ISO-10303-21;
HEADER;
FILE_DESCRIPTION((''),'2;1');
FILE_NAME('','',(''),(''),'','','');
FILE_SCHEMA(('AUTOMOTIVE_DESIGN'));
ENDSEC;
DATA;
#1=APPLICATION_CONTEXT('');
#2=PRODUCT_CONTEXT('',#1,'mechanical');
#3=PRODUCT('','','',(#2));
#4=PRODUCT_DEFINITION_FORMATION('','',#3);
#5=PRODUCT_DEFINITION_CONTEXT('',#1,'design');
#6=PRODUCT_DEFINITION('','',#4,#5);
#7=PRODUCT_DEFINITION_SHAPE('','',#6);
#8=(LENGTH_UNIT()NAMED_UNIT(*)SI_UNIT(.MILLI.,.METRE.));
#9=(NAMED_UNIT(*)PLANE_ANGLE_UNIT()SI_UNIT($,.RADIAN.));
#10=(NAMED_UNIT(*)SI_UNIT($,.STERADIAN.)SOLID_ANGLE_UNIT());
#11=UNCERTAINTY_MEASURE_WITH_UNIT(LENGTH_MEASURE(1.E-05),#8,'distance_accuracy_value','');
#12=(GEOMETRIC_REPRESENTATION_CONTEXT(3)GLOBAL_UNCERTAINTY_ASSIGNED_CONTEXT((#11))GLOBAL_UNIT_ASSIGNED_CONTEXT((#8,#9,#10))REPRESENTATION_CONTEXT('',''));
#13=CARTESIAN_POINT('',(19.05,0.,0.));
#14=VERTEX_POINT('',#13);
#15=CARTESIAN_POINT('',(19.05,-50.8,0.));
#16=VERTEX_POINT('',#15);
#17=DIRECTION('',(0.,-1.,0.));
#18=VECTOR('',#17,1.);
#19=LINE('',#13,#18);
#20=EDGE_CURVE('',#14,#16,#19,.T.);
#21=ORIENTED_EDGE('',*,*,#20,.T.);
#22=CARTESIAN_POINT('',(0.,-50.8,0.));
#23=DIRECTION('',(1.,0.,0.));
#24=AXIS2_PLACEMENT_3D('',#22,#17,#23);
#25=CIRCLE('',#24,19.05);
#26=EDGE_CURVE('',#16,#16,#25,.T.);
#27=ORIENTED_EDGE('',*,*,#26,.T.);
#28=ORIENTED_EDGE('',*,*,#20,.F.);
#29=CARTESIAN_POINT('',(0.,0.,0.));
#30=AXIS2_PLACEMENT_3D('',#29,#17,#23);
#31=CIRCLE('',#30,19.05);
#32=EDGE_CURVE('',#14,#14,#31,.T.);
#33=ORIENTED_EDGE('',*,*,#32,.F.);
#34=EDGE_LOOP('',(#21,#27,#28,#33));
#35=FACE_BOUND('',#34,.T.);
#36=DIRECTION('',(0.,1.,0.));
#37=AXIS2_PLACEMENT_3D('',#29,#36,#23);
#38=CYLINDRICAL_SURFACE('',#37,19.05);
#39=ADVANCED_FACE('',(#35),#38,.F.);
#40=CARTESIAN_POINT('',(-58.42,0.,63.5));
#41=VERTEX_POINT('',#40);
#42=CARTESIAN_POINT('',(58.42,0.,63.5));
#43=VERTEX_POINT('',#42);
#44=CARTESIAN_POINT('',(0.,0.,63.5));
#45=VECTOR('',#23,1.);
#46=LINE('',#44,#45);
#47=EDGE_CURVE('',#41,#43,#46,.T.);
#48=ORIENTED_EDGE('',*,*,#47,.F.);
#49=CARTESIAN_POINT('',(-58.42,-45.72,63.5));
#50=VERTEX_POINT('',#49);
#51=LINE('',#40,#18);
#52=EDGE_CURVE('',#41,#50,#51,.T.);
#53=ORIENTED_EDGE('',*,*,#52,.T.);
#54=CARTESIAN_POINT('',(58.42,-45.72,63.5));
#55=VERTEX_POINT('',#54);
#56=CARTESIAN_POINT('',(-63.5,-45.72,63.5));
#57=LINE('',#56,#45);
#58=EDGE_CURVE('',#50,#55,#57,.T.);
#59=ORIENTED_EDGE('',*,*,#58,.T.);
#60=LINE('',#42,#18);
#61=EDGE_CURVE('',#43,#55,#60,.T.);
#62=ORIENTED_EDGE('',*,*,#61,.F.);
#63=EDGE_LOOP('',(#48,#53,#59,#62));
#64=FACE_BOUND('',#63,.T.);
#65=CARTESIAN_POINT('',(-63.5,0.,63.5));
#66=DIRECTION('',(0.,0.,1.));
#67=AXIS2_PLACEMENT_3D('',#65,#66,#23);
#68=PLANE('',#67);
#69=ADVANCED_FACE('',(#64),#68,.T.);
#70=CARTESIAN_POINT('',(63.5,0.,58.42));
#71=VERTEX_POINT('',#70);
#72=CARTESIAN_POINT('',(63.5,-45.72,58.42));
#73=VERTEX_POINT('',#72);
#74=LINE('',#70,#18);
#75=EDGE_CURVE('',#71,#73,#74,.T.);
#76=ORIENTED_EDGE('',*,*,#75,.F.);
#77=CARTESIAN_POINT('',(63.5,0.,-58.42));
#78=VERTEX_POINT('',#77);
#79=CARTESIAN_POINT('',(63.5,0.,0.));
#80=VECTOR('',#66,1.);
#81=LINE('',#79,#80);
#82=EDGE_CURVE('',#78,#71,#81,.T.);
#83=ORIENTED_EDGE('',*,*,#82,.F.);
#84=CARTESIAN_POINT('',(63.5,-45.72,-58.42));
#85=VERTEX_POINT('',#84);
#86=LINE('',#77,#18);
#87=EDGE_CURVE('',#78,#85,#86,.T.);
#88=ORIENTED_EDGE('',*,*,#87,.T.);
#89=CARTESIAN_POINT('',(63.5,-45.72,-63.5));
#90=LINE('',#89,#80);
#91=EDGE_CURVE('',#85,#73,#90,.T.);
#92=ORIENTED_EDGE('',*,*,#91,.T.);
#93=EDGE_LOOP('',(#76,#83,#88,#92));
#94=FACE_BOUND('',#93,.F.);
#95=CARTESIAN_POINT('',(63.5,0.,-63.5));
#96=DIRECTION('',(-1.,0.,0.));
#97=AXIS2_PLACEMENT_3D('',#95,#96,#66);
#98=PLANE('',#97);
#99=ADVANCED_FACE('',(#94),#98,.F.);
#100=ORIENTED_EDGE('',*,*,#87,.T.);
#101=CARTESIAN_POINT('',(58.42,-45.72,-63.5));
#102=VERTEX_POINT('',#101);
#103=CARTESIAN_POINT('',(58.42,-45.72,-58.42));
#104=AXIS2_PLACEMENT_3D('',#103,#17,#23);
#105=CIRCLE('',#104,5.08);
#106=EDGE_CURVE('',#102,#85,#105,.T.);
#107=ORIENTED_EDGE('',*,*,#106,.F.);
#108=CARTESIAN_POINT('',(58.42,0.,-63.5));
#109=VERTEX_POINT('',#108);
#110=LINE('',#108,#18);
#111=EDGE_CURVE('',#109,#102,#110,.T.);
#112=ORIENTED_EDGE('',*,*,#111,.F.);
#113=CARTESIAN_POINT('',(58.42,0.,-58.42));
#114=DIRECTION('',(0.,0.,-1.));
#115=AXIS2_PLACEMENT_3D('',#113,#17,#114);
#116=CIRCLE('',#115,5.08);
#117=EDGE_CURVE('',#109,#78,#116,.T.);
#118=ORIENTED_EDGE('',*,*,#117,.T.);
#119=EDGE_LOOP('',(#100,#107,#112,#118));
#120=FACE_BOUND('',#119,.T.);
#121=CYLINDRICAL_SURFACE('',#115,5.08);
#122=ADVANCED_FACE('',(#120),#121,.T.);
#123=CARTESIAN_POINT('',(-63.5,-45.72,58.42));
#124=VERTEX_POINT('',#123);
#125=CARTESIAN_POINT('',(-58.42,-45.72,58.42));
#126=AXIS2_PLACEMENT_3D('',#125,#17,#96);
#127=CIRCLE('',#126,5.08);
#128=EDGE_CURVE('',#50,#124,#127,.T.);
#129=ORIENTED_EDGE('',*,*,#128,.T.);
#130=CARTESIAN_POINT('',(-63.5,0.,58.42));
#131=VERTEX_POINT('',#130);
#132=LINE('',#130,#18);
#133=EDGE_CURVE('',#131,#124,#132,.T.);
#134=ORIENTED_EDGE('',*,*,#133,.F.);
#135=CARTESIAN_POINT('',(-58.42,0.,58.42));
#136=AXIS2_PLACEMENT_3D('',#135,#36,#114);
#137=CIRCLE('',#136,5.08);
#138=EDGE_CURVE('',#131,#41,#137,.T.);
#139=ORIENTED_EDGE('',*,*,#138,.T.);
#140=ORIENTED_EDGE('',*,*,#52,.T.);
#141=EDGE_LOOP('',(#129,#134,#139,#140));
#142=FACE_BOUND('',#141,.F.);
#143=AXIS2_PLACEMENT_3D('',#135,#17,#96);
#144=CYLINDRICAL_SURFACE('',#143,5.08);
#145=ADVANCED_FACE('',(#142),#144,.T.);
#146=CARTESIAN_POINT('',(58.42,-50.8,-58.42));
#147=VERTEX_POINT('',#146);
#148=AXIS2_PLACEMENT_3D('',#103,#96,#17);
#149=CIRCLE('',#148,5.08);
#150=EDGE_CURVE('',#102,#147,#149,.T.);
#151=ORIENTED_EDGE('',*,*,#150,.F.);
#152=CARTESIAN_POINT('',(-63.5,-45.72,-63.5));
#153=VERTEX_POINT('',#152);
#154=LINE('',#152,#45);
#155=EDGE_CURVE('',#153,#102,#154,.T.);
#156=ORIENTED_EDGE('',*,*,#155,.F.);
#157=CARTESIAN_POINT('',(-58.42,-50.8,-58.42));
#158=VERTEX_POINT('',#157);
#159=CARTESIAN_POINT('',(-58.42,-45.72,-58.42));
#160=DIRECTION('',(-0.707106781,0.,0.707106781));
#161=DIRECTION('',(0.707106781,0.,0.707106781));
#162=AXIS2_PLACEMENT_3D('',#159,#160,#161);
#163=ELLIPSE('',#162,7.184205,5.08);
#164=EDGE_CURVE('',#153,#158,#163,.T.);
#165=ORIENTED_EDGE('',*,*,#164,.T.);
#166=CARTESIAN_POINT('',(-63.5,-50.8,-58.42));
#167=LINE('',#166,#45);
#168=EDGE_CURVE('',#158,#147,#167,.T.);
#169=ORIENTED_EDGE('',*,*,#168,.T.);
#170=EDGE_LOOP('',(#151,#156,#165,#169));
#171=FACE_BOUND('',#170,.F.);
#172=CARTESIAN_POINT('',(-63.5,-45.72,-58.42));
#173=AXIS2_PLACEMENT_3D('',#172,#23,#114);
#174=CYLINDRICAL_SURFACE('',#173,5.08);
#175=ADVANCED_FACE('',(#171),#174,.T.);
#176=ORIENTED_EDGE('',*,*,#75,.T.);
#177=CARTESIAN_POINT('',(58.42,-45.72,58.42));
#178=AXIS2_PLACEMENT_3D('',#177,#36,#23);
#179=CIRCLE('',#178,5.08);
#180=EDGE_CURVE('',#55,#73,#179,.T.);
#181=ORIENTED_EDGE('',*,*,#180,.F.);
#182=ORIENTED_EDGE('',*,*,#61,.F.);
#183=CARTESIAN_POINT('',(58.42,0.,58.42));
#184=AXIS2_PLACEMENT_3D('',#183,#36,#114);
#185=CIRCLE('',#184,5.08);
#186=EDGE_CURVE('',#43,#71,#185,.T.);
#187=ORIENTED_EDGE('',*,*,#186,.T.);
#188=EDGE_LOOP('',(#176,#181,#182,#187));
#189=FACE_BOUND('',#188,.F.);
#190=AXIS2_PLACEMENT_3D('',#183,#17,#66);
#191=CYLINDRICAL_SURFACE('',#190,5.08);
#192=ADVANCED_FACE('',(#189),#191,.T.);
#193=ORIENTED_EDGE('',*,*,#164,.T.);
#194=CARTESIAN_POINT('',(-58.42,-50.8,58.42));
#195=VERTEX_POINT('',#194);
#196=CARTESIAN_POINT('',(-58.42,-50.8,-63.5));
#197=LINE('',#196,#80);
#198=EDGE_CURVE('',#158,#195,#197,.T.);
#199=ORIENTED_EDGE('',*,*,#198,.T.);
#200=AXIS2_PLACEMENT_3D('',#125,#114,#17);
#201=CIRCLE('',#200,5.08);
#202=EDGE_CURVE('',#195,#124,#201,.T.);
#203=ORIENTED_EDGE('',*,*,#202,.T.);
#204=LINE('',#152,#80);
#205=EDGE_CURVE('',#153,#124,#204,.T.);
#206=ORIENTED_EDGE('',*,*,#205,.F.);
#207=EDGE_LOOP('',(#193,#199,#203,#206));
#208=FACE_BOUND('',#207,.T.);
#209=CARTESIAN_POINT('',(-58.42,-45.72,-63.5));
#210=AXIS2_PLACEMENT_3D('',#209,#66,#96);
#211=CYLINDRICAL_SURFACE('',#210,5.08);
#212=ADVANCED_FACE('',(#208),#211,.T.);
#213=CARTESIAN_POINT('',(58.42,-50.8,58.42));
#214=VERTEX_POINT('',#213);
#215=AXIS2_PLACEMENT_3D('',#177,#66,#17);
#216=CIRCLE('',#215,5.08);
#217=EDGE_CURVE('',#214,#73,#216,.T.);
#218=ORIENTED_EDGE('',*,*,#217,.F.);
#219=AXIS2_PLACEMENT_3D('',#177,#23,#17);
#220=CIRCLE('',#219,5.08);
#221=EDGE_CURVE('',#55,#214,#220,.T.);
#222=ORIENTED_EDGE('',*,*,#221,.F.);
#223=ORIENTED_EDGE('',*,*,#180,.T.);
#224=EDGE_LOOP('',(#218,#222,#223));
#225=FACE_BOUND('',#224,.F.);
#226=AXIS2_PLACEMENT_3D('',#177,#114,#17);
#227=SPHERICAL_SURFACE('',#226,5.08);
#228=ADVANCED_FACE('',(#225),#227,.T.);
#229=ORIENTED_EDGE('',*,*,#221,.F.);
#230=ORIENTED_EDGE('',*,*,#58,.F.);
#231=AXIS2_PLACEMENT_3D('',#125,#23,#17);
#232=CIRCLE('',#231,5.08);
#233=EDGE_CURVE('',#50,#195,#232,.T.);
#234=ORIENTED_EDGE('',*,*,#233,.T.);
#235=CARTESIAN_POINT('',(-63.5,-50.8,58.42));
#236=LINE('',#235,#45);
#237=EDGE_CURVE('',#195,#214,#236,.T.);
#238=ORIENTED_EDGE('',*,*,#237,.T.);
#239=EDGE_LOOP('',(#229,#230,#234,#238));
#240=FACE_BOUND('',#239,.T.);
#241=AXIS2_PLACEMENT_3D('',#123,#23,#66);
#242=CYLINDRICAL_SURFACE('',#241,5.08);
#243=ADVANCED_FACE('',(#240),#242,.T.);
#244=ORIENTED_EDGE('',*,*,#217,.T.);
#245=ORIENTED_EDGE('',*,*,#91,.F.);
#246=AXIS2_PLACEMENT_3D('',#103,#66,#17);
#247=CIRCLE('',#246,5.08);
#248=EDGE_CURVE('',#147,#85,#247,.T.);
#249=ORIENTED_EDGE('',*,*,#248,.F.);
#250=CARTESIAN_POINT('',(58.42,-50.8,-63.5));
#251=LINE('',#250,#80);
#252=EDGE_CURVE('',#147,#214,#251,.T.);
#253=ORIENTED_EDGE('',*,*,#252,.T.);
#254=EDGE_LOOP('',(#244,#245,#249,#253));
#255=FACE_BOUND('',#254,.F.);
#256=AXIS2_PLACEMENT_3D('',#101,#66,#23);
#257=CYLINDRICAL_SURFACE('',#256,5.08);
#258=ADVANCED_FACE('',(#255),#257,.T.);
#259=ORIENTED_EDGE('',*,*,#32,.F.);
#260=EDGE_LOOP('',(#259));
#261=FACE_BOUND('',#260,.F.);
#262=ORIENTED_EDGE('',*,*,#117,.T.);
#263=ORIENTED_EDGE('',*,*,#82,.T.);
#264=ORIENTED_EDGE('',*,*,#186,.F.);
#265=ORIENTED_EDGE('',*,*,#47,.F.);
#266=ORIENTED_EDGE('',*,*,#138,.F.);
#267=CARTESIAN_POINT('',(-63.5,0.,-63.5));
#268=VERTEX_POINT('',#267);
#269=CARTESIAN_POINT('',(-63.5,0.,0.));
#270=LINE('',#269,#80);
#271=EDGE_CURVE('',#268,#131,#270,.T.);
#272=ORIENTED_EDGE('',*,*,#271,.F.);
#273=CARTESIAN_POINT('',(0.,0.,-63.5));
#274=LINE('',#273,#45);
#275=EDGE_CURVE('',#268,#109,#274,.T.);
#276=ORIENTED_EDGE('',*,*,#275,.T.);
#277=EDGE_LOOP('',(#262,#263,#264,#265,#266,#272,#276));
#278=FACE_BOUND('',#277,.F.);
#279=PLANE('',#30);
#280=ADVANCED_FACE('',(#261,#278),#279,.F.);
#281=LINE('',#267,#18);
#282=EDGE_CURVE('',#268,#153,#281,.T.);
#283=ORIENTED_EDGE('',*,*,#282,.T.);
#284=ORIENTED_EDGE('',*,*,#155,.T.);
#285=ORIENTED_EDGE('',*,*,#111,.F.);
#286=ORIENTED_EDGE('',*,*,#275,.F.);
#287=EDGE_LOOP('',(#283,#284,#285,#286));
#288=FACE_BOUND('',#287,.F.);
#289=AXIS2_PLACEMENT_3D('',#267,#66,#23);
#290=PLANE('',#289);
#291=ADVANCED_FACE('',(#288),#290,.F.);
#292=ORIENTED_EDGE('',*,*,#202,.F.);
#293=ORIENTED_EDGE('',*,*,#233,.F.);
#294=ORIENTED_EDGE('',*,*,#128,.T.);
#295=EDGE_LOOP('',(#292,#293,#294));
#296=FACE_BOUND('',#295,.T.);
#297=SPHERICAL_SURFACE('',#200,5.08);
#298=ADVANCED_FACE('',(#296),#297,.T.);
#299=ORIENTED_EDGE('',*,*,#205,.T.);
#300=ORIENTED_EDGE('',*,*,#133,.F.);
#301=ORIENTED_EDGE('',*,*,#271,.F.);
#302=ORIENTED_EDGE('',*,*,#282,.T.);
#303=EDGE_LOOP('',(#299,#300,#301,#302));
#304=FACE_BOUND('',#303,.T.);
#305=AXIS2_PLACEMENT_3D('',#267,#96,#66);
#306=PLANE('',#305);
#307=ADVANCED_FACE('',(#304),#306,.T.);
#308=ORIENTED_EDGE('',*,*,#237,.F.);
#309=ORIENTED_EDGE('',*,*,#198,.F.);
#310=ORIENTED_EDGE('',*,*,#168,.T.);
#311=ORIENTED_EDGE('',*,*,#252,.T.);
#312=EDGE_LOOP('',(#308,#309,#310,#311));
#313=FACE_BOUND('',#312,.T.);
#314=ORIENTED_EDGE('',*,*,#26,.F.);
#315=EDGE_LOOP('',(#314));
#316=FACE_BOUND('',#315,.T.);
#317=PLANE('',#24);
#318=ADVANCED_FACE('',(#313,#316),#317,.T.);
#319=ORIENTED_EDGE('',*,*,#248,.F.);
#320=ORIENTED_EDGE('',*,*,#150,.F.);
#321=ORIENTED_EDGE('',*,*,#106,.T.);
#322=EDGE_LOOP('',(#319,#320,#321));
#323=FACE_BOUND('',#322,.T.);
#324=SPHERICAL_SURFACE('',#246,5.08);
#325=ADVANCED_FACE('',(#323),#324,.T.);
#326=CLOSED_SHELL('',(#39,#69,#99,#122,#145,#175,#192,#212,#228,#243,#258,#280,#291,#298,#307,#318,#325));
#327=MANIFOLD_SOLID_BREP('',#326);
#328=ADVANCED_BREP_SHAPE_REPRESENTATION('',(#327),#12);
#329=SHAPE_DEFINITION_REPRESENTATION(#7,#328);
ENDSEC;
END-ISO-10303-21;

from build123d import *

# Parameters (mm, degrees)
F0_W     = 127
F0_H     = 127
F0_R     = 19.05
F1_DEPTH = 50.8
F2_R     = 5.08


with BuildPart() as f1:
    # F0 (on Front) → F1 (new body)
    with BuildSketch(Plane.XZ):
        Rectangle(F0_W, F0_H)
        Circle(F0_R, mode=Mode.SUBTRACT)
    extrude(amount=F1_DEPTH)

    # F2
    f2_edges = [f1.edges().sort_by_distance(p)[0] for p in [
        (-63.5, -50.8, 0),
        (63.5, -50.8, 0),
        (0, -50.8, -63.5),
        (0, -50.8, 63.5),
        (63.5, -25.4, -63.5),
        (63.5, -25.4, 63.5),
        (-63.5, -25.4, 63.5),
    ]]
    fillet(f2_edges, radius=F2_R)


solid = f1.part
